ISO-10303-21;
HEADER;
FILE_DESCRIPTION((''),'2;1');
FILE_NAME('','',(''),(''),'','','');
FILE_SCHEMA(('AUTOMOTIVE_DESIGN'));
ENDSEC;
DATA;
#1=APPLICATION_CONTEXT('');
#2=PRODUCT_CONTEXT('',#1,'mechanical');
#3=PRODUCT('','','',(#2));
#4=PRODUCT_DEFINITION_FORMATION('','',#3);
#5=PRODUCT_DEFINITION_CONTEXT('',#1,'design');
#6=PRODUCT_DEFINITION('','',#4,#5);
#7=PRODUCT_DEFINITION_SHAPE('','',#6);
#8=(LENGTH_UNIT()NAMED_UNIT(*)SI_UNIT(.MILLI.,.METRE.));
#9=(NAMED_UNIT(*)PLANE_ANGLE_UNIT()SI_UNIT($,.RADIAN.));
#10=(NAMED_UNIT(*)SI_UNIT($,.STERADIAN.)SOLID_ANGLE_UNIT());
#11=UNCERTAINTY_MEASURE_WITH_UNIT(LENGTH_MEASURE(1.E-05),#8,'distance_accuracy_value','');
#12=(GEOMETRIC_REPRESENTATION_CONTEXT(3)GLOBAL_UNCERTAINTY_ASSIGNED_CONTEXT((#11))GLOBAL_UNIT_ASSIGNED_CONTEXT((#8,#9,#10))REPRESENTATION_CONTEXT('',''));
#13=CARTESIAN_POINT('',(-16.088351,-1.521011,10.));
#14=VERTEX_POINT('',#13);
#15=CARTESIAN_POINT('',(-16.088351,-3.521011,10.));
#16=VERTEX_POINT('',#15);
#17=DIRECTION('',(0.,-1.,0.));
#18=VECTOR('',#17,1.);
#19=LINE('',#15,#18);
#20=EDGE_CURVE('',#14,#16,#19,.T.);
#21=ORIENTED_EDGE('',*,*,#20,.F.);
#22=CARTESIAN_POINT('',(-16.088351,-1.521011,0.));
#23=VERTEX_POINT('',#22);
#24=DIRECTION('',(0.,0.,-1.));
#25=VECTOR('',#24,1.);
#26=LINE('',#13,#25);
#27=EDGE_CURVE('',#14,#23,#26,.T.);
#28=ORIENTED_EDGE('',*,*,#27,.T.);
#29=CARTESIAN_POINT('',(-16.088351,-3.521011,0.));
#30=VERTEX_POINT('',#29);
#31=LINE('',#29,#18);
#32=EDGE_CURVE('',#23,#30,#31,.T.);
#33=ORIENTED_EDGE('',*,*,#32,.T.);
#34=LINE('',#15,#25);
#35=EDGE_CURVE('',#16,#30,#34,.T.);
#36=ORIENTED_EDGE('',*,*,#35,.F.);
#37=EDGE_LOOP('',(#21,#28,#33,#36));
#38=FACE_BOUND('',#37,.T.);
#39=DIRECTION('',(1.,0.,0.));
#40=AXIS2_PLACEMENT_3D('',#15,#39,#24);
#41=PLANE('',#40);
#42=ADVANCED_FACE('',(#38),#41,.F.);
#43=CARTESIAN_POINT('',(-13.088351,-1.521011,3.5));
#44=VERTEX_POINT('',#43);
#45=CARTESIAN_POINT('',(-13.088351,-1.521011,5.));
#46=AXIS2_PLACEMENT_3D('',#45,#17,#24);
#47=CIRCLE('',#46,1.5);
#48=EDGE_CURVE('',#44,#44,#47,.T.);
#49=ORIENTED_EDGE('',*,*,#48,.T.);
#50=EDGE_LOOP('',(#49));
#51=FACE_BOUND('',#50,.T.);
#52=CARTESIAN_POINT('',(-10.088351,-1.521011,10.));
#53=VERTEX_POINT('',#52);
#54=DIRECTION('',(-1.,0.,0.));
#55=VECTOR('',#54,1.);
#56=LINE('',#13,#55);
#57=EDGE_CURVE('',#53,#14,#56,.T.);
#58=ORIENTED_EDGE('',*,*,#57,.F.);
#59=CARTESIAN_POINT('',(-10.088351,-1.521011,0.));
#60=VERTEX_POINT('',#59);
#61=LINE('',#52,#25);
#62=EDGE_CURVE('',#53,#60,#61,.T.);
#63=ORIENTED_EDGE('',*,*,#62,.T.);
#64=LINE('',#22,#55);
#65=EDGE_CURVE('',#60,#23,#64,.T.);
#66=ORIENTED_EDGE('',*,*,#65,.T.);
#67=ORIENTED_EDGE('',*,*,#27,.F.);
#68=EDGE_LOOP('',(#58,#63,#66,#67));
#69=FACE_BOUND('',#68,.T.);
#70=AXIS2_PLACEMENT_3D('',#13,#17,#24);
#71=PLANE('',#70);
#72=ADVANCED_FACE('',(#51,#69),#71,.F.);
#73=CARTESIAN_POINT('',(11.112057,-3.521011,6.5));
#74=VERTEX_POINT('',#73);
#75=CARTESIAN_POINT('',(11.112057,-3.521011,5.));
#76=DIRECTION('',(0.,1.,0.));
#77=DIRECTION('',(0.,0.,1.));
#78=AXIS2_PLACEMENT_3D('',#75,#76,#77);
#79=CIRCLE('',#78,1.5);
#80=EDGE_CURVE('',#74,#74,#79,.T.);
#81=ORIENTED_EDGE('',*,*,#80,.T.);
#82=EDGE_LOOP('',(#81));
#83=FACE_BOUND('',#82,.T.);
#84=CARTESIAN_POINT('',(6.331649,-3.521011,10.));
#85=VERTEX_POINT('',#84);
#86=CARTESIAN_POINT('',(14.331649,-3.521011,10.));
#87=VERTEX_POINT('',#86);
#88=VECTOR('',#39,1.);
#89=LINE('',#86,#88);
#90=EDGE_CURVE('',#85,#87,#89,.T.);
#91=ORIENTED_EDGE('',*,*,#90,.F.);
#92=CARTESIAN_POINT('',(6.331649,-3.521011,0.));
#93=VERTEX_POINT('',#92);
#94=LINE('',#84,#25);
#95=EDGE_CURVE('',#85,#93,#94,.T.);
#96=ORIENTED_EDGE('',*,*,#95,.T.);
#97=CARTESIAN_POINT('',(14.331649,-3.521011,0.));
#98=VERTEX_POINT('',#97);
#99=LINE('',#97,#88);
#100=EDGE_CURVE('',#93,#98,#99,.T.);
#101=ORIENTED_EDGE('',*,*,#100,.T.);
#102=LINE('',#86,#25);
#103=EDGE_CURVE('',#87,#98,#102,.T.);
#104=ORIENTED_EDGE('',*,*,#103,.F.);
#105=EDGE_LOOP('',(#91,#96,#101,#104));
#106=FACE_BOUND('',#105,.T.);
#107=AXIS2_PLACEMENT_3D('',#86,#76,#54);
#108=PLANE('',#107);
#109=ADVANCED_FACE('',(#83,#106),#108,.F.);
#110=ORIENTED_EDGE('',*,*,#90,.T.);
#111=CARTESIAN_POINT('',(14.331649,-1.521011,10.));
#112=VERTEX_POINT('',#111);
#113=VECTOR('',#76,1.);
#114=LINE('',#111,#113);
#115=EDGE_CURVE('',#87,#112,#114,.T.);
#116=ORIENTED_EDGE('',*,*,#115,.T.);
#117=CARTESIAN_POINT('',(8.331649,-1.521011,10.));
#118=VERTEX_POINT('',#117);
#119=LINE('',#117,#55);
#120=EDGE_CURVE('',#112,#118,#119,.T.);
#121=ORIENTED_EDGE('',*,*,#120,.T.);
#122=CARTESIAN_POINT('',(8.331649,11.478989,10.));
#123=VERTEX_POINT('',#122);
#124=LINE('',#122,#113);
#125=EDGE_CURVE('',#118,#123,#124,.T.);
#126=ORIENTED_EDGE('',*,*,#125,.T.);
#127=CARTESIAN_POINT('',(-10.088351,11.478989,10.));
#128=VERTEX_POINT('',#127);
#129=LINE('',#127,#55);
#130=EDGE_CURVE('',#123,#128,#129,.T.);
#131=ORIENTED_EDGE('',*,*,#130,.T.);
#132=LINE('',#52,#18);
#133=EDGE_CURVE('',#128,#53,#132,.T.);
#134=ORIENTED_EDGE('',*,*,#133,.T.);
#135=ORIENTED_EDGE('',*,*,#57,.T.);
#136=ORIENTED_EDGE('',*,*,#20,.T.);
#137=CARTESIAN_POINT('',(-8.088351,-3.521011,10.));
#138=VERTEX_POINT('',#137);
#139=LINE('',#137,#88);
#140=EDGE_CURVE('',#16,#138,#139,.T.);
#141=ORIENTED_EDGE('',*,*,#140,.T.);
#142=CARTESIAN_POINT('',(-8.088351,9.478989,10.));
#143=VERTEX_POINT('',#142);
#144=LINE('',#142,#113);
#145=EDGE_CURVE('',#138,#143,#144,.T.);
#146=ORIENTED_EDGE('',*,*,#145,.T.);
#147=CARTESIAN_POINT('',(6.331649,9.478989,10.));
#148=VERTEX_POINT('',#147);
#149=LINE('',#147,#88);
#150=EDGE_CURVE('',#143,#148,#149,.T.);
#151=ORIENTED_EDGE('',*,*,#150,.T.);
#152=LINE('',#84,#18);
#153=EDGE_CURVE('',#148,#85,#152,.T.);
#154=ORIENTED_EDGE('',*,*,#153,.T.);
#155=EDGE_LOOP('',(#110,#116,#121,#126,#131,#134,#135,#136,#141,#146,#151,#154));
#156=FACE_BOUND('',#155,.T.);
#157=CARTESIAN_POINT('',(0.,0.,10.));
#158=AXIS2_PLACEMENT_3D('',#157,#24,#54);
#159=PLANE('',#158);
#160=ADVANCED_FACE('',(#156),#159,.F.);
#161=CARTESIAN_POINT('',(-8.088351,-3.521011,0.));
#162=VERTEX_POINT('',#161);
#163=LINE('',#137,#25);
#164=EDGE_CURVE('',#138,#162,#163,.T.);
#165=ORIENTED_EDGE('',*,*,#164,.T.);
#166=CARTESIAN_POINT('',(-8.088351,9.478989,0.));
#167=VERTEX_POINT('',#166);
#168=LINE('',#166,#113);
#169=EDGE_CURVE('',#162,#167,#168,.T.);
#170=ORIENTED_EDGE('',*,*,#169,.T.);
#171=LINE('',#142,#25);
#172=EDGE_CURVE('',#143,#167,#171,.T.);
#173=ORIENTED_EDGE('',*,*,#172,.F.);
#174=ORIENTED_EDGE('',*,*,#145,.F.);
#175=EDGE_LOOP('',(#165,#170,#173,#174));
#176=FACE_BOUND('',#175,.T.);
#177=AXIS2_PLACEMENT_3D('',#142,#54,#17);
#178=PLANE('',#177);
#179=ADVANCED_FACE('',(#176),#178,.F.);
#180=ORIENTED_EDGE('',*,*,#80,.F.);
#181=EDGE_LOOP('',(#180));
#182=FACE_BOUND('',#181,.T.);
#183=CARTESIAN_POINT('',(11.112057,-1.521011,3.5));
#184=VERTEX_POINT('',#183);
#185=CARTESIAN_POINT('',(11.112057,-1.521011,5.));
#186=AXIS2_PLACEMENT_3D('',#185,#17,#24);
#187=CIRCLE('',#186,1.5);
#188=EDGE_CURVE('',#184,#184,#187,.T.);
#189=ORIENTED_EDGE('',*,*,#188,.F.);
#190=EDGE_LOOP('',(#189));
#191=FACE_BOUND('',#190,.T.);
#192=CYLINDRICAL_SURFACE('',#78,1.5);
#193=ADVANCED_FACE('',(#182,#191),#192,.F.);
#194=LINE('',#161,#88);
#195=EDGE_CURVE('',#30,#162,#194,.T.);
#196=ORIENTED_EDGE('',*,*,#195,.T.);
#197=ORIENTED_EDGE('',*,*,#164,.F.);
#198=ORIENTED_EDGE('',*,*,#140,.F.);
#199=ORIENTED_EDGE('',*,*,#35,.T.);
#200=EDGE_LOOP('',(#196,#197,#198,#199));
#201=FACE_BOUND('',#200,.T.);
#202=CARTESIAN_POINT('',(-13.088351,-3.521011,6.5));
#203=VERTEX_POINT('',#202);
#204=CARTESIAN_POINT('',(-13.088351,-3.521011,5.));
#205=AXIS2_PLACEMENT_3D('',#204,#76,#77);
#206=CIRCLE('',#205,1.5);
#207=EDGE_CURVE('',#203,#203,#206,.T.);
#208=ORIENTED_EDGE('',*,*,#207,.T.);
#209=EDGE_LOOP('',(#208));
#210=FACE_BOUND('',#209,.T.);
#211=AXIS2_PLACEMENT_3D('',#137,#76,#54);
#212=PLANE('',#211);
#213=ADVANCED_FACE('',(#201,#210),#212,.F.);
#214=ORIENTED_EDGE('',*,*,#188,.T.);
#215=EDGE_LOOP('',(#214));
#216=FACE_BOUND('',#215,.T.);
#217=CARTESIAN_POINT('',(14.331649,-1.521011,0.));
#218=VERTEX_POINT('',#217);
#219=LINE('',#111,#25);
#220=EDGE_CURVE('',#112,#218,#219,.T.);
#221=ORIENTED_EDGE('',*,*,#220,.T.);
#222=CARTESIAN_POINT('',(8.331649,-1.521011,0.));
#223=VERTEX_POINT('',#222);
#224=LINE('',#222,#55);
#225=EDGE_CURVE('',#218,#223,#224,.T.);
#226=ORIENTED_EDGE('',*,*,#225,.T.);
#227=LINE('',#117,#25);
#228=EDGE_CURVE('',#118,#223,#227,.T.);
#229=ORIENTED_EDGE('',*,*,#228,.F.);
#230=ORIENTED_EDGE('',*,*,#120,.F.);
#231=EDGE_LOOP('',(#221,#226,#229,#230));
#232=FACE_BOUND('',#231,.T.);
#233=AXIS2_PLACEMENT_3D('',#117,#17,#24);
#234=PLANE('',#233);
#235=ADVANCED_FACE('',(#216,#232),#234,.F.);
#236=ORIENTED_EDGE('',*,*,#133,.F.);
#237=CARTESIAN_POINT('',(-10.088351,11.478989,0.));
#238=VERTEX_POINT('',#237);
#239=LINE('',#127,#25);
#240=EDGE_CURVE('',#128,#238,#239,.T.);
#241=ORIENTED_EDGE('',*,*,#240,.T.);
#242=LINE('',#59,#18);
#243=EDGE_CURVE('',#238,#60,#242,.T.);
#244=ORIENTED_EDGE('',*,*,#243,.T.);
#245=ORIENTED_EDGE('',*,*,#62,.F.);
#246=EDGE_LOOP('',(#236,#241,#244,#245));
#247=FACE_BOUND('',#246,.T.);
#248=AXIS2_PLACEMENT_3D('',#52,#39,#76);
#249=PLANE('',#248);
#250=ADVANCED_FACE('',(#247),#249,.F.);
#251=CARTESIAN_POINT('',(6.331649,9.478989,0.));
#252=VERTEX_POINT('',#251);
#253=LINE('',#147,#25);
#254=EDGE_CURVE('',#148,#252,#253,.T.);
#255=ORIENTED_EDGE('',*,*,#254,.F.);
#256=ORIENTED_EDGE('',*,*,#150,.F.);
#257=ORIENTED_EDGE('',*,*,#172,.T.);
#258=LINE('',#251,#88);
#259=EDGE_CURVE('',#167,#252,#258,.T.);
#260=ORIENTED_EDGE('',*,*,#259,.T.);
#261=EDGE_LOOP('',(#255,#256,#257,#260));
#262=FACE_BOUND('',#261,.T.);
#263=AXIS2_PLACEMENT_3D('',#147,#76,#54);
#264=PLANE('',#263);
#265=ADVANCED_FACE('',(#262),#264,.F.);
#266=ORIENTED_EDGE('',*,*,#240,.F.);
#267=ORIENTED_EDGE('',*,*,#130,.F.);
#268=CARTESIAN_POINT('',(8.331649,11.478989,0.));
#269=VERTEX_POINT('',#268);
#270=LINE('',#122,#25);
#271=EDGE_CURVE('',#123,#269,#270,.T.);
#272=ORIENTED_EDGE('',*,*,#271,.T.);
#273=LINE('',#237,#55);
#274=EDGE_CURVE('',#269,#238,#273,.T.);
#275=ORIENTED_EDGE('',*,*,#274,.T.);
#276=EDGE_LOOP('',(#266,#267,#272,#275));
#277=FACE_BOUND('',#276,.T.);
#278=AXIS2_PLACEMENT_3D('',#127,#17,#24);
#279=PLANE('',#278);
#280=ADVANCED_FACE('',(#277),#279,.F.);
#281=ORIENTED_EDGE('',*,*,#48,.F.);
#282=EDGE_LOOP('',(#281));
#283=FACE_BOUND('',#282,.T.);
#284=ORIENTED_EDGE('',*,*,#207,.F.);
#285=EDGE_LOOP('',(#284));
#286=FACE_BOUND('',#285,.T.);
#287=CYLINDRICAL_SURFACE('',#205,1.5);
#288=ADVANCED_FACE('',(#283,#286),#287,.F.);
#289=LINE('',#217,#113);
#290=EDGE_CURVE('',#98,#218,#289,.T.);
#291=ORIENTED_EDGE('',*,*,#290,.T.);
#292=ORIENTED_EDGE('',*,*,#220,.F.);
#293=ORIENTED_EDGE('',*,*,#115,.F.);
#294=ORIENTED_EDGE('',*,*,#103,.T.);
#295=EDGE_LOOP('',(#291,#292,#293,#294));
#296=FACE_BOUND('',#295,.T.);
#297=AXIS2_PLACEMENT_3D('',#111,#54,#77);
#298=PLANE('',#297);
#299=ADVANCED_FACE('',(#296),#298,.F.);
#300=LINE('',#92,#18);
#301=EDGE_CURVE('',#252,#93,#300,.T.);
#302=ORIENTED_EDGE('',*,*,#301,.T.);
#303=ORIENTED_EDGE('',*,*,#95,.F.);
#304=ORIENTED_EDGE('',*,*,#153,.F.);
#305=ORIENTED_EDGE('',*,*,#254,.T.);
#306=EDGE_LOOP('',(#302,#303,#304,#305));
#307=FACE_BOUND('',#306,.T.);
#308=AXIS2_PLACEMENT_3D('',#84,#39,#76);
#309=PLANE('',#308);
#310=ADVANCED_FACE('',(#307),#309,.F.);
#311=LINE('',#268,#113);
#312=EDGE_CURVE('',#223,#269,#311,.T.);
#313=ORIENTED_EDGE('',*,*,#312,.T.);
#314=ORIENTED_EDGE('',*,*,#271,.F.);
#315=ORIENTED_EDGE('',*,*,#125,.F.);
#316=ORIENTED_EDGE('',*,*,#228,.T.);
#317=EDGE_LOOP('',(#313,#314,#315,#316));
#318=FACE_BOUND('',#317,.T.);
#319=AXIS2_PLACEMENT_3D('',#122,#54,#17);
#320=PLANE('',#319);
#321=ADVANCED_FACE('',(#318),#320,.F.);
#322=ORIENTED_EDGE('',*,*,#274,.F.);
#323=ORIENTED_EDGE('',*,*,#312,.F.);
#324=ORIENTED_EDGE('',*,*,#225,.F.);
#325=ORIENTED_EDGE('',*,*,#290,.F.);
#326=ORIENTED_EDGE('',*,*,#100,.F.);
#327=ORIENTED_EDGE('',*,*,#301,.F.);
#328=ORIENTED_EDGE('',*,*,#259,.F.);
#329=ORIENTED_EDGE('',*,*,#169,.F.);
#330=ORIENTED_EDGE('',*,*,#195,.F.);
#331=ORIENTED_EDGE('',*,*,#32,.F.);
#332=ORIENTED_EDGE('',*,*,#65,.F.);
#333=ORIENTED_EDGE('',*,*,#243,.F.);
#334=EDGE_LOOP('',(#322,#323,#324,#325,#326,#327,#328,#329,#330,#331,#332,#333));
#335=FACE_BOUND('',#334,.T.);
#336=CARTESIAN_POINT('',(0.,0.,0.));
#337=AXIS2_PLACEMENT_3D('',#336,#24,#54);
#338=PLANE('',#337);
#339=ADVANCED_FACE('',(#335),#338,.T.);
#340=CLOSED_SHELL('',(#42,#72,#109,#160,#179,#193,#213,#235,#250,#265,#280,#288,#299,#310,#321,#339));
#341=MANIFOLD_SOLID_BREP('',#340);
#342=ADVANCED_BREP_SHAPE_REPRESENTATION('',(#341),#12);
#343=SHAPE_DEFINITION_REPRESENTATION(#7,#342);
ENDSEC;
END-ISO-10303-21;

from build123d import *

# Parameters (mm, degrees)
BOSS_EXTRUDE1_DEPTH     = 10
CUT_EXTRUDE1_DEPTH      = 23.974660823
CUT_EXTRUDE1_DEPTH_BACK = 23.974660823
SKETCH2_R               = 1.5


with BuildPart() as part:
    # Sketch1 → Boss-Extrude1 (new body)
    with BuildSketch(Plane.XY):
        Polygon((-16.088351064, -3.521010638), (-16.088351064, -1.521010638), (-10.088351064, -1.521010638), (-10.088351064, 11.478989362), (8.331648936, 11.478989362), (8.331648936, -1.521010638), (14.331648936, -1.521010638), (14.331648936, -3.521010638), (6.331648936, -3.521010638), (6.331648936, 9.478989362), (-8.088351064, 9.478989362), (-8.088351064, -3.521010638), align=None)
    extrude(amount=BOSS_EXTRUDE1_DEPTH)

    # Sketch2 → Cut-Extrude1 (cut, two sides: drawn at the far end of the back side and taken through both)
    with BuildSketch(Plane(origin=(0, -1.521010638, 0), x_dir=(1, 0, 0), z_dir=(0, 1, 0)).offset(-CUT_EXTRUDE1_DEPTH_BACK)):
        with Locations(Location((-13.088351064, -5, 0), (0, 0, 270))):
            Circle(SKETCH2_R)
        with Locations(Location((11.112056512, -5, 0), (0, 0, 270))):
            Circle(SKETCH2_R)
    extrude(amount=CUT_EXTRUDE1_DEPTH + CUT_EXTRUDE1_DEPTH_BACK, mode=Mode.SUBTRACT)


solid = part.part
